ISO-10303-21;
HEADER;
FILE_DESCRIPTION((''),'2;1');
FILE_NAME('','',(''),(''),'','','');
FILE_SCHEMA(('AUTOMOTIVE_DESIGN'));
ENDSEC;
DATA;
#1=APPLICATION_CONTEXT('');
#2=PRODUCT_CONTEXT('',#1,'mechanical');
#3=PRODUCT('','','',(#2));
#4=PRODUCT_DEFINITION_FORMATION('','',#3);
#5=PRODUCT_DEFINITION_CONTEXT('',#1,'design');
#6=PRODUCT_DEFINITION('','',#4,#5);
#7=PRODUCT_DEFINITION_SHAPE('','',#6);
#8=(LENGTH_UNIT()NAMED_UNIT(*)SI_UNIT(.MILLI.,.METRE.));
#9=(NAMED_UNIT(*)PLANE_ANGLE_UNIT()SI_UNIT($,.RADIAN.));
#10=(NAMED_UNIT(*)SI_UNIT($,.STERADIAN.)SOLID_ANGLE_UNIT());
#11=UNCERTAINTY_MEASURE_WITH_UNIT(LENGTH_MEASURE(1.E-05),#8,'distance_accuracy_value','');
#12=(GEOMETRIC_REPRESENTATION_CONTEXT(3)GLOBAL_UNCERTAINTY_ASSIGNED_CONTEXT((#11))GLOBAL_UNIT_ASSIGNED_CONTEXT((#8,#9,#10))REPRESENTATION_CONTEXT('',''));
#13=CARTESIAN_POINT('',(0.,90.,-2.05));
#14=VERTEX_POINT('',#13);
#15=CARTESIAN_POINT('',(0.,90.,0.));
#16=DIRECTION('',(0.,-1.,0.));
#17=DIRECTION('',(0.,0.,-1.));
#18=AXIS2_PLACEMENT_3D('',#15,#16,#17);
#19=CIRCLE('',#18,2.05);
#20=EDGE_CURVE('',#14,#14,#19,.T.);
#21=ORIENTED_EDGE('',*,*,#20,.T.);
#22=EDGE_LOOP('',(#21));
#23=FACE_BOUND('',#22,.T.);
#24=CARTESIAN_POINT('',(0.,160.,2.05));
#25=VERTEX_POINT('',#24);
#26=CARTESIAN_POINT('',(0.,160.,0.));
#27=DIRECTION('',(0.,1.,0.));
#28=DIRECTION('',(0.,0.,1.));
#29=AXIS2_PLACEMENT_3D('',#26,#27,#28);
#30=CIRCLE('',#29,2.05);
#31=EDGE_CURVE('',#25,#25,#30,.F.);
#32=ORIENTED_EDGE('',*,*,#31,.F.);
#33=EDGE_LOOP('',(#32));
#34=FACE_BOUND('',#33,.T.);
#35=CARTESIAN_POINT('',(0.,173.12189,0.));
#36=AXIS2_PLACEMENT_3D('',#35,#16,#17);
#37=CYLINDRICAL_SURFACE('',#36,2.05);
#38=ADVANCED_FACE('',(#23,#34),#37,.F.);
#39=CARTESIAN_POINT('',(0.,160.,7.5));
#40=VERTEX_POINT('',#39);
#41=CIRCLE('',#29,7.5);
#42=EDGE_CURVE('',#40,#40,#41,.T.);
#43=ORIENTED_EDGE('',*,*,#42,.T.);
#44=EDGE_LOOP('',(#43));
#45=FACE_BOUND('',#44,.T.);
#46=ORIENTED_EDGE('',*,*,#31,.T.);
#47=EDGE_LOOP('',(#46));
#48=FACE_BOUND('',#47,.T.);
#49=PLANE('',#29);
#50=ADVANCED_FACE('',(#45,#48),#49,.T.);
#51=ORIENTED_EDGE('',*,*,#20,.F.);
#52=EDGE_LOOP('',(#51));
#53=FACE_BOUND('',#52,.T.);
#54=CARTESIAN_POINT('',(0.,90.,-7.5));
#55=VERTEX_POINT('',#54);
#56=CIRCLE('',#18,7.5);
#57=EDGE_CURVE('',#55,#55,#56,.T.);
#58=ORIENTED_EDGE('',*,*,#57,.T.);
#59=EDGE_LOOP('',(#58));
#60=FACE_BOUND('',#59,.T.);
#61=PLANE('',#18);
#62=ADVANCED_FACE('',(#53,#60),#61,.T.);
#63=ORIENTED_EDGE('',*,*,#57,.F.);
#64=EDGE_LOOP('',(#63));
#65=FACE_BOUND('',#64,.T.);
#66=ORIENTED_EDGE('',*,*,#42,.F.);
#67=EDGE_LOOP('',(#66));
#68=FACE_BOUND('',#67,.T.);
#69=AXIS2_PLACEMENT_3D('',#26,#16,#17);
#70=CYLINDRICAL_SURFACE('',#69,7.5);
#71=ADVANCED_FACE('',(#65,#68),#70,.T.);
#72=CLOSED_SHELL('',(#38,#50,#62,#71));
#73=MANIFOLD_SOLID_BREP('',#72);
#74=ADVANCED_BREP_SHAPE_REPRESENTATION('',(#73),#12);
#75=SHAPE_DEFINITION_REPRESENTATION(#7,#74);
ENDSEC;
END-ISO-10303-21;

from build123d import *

# Parameters (mm, degrees)
SKETCH1_R           = 7.5
EXTRUSION1_DEPTH    = 160
SKETCH2_R           = 2.25
EXTRUSION2_DEPTH    = 80
SKETCH4_R           = 9.988310786
EXTRUSION4_DEPTH    = 45
SKETCH5_R           = 7.5
SKETCH5_R_2         = 4
EXTRUSION5_DEPTH    = 15
SKETCH6_R           = 13.00139778
CUT_EXTRUDE1_DEPTH  = 45
SKETCH7_R           = 4.639288825
SKETCH7_R_2         = 2.05
BOSS_EXTRUDE1_DEPTH = 70


with BuildPart() as part:
    # Sketch1 → Extrusion1 (new body)
    with BuildSketch(Plane(origin=(0, 0, 0), x_dir=(-1, 0, 0), z_dir=(0, 1, 0))):
        with Locations(Location((0, 0, 0), (0, 0, 90))):
            Circle(SKETCH1_R)
    extrude(amount=EXTRUSION1_DEPTH)

    # Sketch2 → Extrusion2 (cut)
    with BuildSketch(Plane(origin=(0, 160, 0), x_dir=(-1, 0, 0), z_dir=(0, 1, 0))):
        with Locations(Location((0, 0, 0), (0, 0, 90))):
            Circle(SKETCH2_R)
    extrude(amount=-EXTRUSION2_DEPTH, mode=Mode.SUBTRACT)

    # Sketch4 → Extrusion4 (cut)
    with BuildSketch(Plane.XZ):
        Circle(SKETCH4_R)
    extrude(amount=-EXTRUSION4_DEPTH, mode=Mode.SUBTRACT)

    # Sketch5 → Extrusion5 (cut)
    with BuildSketch(Plane.XZ.offset(-45)):
        with Locations(Location((0, 0, 0), (0, 0, 270))):
            Circle(SKETCH5_R)
        with Locations(Location((0, 0, 0), (0, 0, 270))):
            Circle(SKETCH5_R_2, mode=Mode.SUBTRACT)
    extrude(amount=-EXTRUSION5_DEPTH, mode=Mode.SUBTRACT)

    # Sketch6 → Cut-Extrude1 (cut)
    with BuildSketch(Plane.XZ.offset(-45)):
        Circle(SKETCH6_R)
    extrude(amount=-CUT_EXTRUDE1_DEPTH, mode=Mode.SUBTRACT)

    # Sketch7 → Boss-Extrude1 (add)
    with BuildSketch(Plane.XZ.offset(-90)):
        Circle(SKETCH7_R)
        with Locations(Location((0, 0, 0), (0, 0, 270))):
            Circle(SKETCH7_R_2, mode=Mode.SUBTRACT)
    extrude(amount=-BOSS_EXTRUDE1_DEPTH)


solid = part.part
